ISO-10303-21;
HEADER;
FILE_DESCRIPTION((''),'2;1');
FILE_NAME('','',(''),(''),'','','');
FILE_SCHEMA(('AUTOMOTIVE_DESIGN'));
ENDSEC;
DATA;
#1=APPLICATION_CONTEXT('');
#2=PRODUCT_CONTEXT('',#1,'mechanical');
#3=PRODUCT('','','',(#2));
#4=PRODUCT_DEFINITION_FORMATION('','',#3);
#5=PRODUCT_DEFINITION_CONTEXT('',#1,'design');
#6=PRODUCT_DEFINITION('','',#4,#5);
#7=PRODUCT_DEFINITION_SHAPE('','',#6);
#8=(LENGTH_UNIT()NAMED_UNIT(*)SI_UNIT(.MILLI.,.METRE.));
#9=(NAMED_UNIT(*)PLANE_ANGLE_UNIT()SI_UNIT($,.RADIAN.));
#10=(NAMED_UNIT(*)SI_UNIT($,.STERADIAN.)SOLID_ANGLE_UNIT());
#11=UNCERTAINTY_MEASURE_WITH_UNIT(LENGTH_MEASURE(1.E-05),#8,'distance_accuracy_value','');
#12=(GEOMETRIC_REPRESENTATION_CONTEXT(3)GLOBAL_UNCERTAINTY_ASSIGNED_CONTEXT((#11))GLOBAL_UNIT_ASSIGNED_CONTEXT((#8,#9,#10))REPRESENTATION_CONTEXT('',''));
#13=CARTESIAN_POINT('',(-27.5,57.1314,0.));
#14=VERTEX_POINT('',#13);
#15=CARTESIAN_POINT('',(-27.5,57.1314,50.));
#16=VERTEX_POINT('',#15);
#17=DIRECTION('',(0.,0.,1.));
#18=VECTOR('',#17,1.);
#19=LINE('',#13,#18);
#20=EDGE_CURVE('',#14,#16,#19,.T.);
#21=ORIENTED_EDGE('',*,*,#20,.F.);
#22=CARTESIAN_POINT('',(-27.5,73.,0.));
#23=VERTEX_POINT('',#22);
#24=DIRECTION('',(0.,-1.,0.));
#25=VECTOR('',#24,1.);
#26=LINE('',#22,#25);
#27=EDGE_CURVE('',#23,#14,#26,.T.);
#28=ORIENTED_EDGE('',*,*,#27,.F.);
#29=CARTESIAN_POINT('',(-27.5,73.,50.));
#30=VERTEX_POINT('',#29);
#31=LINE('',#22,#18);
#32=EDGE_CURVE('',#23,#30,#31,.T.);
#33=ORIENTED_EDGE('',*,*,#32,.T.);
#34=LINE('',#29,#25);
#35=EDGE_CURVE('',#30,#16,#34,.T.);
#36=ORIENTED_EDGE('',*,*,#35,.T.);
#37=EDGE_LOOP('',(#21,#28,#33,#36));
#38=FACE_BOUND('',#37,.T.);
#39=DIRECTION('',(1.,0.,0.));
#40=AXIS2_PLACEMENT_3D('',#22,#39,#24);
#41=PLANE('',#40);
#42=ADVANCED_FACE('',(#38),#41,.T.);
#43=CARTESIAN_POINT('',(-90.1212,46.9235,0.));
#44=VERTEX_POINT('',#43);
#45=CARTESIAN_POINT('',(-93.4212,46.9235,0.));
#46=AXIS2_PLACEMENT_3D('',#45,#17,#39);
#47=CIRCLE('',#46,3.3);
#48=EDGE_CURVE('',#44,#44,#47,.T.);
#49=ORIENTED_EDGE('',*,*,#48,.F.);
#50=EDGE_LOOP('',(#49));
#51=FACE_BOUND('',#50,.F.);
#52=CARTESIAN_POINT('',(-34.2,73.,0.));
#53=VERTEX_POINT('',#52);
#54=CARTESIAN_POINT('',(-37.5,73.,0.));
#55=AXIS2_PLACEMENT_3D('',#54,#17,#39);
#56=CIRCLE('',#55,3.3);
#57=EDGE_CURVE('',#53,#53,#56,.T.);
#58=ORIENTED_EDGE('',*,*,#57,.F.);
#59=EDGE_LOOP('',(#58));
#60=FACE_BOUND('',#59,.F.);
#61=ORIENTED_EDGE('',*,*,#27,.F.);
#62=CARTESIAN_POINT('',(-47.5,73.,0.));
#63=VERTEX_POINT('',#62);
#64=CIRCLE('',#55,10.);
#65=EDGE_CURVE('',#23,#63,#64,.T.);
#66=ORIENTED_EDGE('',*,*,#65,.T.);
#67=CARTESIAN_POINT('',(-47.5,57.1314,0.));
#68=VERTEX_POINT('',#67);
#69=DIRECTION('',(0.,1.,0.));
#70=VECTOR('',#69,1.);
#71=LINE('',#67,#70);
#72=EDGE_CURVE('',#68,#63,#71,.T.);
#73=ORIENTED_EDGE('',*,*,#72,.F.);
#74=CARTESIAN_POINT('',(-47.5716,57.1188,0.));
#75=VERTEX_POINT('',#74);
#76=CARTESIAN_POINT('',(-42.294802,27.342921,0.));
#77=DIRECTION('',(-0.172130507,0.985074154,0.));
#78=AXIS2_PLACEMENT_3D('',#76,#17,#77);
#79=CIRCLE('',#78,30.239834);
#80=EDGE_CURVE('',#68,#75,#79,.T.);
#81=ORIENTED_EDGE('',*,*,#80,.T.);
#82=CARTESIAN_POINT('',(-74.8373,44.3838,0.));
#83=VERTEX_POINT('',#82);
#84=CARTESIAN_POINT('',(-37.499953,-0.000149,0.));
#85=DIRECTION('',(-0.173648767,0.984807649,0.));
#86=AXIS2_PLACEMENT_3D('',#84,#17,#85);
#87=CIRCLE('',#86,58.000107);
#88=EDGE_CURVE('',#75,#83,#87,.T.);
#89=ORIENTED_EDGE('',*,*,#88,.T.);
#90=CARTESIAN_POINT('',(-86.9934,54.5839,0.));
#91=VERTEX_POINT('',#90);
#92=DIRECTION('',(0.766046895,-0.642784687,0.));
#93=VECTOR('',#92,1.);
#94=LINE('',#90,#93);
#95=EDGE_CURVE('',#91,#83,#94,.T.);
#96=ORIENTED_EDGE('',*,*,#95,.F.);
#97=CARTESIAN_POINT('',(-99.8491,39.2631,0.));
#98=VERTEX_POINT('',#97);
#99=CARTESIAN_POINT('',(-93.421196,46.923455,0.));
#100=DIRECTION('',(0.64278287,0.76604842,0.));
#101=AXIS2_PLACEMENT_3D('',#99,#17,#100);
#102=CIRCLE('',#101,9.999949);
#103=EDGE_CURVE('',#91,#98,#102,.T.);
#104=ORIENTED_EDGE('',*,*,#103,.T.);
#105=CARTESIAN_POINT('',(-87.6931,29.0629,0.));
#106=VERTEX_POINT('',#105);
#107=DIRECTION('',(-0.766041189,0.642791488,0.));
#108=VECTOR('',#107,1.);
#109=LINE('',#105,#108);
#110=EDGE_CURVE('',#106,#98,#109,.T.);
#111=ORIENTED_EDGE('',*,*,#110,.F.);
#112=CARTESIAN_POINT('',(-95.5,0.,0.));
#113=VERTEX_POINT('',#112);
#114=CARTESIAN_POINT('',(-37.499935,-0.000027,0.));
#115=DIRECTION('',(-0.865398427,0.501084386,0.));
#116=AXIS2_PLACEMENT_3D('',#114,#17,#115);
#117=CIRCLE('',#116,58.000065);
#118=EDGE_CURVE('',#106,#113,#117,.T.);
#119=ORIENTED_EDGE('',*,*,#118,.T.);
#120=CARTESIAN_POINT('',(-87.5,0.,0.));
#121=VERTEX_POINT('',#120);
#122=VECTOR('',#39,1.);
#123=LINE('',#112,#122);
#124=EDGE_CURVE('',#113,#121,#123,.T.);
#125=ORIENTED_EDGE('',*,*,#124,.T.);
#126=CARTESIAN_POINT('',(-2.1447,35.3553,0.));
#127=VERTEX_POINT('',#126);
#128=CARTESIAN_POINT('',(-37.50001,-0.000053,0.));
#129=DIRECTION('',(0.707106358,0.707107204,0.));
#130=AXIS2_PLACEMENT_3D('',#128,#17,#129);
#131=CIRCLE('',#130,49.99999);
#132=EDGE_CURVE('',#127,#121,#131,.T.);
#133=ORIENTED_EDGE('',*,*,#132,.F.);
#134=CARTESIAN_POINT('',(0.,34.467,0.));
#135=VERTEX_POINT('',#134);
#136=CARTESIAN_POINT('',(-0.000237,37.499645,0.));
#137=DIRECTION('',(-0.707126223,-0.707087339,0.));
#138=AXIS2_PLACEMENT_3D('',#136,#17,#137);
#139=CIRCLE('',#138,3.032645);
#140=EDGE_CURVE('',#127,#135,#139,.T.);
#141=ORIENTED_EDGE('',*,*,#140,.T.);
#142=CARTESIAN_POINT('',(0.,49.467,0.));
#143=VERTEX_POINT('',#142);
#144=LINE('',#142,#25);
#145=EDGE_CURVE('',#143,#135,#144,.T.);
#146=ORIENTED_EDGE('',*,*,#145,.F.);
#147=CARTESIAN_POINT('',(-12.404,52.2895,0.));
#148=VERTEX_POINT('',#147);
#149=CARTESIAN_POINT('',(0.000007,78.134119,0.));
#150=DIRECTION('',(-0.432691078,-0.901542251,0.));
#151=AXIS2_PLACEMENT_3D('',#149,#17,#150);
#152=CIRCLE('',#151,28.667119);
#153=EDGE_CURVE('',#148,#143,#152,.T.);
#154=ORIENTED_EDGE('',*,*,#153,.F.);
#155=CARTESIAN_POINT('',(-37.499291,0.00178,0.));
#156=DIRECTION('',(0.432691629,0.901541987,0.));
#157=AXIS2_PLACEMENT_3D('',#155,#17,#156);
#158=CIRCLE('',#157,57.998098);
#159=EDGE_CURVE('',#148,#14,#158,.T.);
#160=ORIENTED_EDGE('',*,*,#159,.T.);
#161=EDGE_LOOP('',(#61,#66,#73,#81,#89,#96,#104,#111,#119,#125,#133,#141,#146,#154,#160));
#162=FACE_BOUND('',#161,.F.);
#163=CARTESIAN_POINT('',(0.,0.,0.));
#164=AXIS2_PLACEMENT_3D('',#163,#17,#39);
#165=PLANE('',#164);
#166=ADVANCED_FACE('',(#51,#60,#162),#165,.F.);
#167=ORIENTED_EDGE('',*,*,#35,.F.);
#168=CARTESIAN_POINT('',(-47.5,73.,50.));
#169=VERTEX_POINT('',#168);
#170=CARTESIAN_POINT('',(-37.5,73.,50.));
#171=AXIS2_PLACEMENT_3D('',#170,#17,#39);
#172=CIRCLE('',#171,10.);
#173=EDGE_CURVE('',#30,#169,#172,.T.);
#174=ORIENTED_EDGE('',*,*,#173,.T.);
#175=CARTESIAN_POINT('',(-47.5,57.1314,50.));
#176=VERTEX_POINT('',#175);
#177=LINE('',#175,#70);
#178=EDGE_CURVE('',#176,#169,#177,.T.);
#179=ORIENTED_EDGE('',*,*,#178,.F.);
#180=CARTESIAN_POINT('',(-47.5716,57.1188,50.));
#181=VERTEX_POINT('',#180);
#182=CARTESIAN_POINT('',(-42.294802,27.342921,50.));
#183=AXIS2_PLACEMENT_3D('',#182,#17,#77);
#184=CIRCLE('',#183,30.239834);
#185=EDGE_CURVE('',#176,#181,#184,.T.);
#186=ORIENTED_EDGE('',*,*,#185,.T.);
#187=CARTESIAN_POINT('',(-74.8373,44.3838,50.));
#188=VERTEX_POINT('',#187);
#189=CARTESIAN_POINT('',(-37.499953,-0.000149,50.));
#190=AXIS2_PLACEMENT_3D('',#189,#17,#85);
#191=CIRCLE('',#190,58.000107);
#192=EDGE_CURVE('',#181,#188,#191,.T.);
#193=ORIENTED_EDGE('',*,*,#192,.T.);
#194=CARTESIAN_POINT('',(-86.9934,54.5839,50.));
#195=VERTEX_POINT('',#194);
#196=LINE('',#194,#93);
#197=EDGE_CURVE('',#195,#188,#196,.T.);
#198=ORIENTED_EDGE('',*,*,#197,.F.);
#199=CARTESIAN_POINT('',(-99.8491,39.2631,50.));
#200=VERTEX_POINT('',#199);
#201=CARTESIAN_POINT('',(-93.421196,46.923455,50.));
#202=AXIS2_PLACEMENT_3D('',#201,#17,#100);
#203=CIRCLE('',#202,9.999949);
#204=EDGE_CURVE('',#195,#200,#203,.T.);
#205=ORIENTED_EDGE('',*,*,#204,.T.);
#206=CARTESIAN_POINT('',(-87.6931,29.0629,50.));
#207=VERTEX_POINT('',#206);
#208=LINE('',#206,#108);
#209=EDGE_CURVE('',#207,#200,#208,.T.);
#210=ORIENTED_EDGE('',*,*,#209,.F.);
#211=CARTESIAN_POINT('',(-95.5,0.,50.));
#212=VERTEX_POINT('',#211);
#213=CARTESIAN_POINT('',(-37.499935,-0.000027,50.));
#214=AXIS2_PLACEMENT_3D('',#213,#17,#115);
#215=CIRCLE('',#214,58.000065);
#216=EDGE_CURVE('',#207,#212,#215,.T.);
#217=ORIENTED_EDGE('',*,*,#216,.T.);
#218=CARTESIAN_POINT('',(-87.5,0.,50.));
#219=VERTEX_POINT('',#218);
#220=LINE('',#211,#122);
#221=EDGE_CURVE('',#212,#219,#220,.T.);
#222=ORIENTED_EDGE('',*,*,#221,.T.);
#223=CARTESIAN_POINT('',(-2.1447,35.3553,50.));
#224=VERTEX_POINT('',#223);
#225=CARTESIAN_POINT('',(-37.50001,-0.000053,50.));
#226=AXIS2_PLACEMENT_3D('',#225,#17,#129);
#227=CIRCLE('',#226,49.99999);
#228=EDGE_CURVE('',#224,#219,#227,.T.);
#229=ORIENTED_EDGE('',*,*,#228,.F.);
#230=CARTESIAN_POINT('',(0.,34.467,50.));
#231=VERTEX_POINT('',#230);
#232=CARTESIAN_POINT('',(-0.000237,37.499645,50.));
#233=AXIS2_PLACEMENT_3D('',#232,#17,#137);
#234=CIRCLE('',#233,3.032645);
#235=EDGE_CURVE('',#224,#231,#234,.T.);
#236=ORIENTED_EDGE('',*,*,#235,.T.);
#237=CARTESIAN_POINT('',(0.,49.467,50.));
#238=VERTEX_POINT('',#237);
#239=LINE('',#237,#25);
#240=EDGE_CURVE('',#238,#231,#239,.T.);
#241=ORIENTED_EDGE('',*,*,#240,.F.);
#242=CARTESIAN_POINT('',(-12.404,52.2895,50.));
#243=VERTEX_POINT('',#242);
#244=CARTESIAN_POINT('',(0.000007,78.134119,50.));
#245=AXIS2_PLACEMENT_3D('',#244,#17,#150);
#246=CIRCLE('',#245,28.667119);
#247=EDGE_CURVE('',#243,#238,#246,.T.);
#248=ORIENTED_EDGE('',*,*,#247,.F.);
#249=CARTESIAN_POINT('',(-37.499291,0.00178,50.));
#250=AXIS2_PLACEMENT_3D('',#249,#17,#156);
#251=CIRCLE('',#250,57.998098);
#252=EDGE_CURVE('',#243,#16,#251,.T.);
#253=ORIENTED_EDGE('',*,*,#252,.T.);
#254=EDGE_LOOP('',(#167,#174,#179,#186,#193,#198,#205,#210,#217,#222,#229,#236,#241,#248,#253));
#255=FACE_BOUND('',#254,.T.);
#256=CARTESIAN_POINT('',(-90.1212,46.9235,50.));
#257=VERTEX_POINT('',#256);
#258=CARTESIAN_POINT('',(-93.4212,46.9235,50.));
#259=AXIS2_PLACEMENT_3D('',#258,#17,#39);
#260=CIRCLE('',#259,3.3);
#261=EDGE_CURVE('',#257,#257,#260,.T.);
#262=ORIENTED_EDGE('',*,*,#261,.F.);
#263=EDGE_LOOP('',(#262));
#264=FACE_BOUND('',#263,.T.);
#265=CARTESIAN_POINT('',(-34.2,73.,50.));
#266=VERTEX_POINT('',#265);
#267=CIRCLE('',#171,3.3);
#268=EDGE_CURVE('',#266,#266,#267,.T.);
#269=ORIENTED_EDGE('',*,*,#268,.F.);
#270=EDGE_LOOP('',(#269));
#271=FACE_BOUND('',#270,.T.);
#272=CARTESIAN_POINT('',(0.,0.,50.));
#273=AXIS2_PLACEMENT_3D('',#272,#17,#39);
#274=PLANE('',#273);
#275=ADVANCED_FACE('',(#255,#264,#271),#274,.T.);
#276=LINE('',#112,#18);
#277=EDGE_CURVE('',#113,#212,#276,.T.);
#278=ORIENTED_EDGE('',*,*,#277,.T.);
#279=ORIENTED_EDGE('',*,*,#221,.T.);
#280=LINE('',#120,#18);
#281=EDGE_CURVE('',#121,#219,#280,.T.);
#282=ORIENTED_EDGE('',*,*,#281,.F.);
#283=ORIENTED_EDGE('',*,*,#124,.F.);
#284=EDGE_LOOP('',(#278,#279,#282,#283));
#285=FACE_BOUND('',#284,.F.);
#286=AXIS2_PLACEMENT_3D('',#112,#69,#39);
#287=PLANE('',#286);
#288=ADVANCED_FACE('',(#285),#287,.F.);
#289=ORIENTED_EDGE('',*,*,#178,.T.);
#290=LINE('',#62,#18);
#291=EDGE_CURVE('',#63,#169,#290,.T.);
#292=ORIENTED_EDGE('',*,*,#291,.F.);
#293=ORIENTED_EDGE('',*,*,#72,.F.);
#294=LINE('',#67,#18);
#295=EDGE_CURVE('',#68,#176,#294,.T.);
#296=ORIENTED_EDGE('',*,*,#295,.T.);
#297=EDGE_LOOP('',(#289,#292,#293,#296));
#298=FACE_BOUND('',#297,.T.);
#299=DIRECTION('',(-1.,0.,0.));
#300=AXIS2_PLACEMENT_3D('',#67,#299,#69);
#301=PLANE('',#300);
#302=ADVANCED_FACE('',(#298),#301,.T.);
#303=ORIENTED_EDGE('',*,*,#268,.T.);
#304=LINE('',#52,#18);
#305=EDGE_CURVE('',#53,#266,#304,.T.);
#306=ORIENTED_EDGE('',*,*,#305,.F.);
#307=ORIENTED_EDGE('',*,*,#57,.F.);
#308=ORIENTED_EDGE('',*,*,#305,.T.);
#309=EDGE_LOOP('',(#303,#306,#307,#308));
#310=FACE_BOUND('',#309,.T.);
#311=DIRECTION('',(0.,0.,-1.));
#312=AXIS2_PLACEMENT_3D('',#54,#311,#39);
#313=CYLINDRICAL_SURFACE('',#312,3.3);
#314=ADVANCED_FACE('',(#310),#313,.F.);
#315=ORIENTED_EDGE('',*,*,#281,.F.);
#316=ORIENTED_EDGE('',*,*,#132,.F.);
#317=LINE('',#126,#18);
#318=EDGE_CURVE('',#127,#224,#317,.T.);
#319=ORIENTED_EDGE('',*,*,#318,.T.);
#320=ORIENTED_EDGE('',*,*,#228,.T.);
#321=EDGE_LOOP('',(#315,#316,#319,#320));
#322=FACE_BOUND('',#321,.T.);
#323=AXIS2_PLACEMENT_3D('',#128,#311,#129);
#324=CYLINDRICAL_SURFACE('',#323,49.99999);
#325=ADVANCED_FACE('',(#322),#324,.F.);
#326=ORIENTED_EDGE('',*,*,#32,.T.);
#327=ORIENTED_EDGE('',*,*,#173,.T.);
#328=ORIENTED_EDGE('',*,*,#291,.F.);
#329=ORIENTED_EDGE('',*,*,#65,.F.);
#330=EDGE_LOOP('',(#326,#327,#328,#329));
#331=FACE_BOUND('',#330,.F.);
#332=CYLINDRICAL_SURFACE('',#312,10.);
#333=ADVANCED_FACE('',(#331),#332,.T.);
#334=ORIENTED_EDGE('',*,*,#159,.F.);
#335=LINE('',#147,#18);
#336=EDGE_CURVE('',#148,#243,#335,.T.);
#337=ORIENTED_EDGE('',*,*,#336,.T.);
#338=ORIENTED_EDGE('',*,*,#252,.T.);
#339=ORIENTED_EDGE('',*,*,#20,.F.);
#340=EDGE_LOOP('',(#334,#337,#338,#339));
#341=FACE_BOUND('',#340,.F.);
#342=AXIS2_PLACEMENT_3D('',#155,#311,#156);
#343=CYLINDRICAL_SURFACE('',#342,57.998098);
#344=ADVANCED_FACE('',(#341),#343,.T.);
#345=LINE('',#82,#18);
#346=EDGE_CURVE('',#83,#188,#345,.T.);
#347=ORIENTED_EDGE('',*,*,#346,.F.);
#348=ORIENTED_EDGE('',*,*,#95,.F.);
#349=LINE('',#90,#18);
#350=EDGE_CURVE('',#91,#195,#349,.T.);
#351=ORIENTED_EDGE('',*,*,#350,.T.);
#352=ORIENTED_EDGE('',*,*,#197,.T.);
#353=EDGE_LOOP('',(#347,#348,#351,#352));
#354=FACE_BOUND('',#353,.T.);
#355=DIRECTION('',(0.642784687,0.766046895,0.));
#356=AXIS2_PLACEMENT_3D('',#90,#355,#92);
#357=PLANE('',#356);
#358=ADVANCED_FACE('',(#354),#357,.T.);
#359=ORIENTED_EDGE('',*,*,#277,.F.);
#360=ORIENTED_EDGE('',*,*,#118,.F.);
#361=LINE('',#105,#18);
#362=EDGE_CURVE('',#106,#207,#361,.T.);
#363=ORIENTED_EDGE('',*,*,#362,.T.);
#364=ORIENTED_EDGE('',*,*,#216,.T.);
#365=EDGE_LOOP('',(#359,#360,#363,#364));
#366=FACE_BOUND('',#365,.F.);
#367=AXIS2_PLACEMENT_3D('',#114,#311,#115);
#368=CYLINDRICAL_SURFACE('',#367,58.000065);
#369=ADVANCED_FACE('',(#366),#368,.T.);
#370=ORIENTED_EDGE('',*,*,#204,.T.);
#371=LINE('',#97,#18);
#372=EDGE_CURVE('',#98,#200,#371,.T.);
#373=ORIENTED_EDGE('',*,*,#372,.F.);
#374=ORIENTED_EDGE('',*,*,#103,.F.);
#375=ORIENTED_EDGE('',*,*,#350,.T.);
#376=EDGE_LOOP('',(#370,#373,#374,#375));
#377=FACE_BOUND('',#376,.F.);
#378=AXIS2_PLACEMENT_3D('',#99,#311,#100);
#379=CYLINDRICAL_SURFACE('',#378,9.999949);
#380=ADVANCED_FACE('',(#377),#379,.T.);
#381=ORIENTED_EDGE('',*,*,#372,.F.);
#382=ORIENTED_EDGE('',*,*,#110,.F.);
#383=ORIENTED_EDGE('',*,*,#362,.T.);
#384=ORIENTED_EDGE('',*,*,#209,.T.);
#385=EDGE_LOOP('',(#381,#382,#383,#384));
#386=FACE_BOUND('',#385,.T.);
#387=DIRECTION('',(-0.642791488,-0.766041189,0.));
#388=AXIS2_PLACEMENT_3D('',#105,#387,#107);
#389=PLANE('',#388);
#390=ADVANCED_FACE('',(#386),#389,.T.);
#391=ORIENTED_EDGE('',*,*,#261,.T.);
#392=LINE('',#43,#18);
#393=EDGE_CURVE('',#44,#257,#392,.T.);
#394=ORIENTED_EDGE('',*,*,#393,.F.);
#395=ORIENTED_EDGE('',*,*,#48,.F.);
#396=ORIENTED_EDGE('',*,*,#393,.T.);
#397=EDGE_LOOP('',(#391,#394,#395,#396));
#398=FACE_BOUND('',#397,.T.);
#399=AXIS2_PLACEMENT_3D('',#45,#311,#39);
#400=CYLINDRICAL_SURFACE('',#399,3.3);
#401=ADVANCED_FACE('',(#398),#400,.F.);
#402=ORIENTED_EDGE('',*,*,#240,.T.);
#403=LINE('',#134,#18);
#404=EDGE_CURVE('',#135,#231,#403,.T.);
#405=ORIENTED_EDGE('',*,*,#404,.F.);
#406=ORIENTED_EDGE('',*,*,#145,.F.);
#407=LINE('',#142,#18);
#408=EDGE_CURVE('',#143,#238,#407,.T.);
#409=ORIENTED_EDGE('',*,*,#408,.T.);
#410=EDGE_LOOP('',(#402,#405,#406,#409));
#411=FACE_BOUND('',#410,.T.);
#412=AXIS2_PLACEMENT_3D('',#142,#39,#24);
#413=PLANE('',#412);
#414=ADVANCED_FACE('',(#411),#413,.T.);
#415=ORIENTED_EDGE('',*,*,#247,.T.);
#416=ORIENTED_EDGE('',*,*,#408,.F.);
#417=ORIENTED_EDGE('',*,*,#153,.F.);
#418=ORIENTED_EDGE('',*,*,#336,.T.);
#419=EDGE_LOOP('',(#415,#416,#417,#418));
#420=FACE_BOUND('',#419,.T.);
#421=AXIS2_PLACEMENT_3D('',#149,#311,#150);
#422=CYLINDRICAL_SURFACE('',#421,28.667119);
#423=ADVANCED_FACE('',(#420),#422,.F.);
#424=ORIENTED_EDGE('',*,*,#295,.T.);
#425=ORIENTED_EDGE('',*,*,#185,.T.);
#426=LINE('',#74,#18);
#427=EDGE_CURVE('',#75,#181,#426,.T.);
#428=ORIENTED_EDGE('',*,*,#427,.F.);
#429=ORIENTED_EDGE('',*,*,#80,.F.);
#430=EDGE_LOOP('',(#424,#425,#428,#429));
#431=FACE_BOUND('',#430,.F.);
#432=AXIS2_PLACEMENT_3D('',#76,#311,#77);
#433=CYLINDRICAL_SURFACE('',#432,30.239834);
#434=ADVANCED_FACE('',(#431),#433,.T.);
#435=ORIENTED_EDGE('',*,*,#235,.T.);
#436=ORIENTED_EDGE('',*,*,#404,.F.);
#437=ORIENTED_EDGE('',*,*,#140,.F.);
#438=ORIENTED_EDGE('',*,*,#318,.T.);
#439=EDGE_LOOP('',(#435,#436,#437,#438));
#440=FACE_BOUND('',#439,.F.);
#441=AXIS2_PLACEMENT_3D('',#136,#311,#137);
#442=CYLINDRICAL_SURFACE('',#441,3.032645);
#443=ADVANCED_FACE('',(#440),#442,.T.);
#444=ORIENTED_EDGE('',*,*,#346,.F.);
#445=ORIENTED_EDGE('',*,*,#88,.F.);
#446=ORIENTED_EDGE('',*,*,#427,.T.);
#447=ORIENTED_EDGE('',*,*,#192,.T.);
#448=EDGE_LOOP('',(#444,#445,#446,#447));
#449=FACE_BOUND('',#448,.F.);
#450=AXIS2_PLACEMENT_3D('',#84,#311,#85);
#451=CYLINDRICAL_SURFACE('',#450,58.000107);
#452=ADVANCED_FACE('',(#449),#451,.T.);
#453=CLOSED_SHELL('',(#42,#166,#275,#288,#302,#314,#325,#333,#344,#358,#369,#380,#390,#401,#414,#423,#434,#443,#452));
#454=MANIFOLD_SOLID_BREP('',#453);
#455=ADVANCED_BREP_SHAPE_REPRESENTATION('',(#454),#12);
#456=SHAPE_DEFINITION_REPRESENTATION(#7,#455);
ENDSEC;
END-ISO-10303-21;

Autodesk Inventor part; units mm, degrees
ref_plane "YZ Plane" through (0, 0, 0) normal (1, 0, 0) x (0, 1, 0)
ref_plane "XZ Plane" through (0, 0, 0) normal (0, 1, 0) x (-1, 0, 0)
ref_plane "XY Plane" through (0, 0, 0) normal (0, 0, 1) x (1, 0, 0)
sketch "Sketch1" plane through (0, 0, 0) normal (0, 0, 1) x (1, 0, 0)
  line L0 (-110.5, 0) -> (110.5, 0) construction
  line L1 (0, 110.5) -> (0, -110.5) construction
  line L2 (-110.5, 110.5) -> (110.5, 110.5) construction
  line L3 (110.5, 110.5) -> (110.5, -110.5) construction
  line L4 (110.5, -110.5) -> (-110.5, -110.5) construction
  line L5 (-110.5, -110.5) -> (-110.5, 110.5) construction
  circle A0 centre (-37.5, 0) radius 37.5 construction
  circle A1 centre (37.5, 0) radius 37.5 construction
  arc A2 (-2.1447, 35.3553) -> (-87.5, 0) centre (-37.5, 0) ccw
  arc A3 (-2.1447, 35.3553) -> (0, 34.467) centre (0, 37.5) ccw
  line L6 (-37.5, 0) -> (-2.1447, 35.3553) construction
  arc A4 (-47.5716, 57.1188) -> (-74.8373, 44.3838) centre (-37.5, 0) ccw
  arc A5 (-12.404, 52.2895) -> (-27.5, 57.1314) centre (-37.5, 0) ccw
  arc A6 (-12.404, 52.2895) -> (0, 49.467) centre (0, 78.1341) ccw
  line L7 (-37.5, 0) -> (-110.5, 61.2543) construction
  line L8 (-37.5, 0) -> (20.5, 0) construction
  line L9 (-37.5, 0) -> (-37.5, 110.5) construction
  line L10 (-87.6931, 29.0629) -> (-99.8491, 39.2631)
  arc A7 (-86.9934, 54.5839) -> (-99.8491, 39.2631) centre (-93.4212, 46.9235) ccw
  line L11 (-86.9934, 54.5839) -> (-74.8373, 44.3838)
  circle A8 centre (-93.4212, 46.9235) radius 3.3
  line L12 (-97.844, 50.6346) -> (-92.4187, 52.6093) construction
  line L13 (-92.4187, 52.6093) -> (-87.9959, 48.8981) construction
  line L14 (-87.9959, 48.8981) -> (-88.9985, 43.2124) construction
  line L15 (-88.9985, 43.2124) -> (-94.4238, 41.2377) construction
  line L16 (-94.4238, 41.2377) -> (-98.8466, 44.9488) construction
  line L17 (-98.8466, 44.9488) -> (-97.844, 50.6346) construction
  line L18 (-47.5, 57.1314) -> (-47.5, 73)
  line L19 (-27.5, 73) -> (-27.5, 57.1314)
  line L20 (-32.5, 70.1132) -> (-37.5, 67.2265) construction
  line L21 (-37.5, 78.7735) -> (-32.5, 75.8868) construction
  line L22 (-37.5, 67.2265) -> (-42.5, 70.1132) construction
  line L23 (-42.5, 75.8868) -> (-37.5, 78.7735) construction
  arc A9 (-27.5, 73) -> (-47.5, 73) centre (-37.5, 73) ccw
  line L24 (-32.5, 75.8868) -> (-32.5, 70.1132) construction
  circle A10 centre (-37.5, 73) radius 3.3
  line L25 (-42.5, 70.1132) -> (-42.5, 75.8868) construction
  line L26 (-37.5, 0) -> (-2.1447, -35.3553) construction
  line L27 (0, 49.467) -> (0, 34.467)
  arc A11 (-27.5, 57.1314) -> (-47.5, 57.1314) centre (-37.5, 0) ccw construction
  arc A12 (-47.5, 57.1314) -> (-47.5716, 57.1188) centre (-37.5, 0) ccw
  arc A13 (-74.8373, 44.3838) -> (-87.6931, 29.0629) centre (-37.5, 0) ccw construction
  arc A14 (-87.6931, 29.0629) -> (-95.5, 0) centre (-37.5, 0) ccw
  line L28 (-95.5, 0) -> (-87.5, 0)
  point P0 (0, 0)
  point P1 (0, 0)
  point P2 (0, 0)
  point P3 (-81.9306, 37.2817)
  point P4 (-37.5, 58)
  dimension "d10" = 75
  dimension "d7" = 221
  dimension "d8" = 221
  dimension "d9" = 75
  dimension "d11" = 50
  dimension "d12" = 135
  dimension "d13" = 8
  dimension "d14" = 15
  dimension "d15" = 140
  dimension "d17" = 10
  dimension "d19" = 6.6
  dimension "d20" = 15
  dimension "d21" = 10
  dimension "d24" = 50
extrude "Extrusion1" add sketch "Sketch1" along normal blind 50
sketch "Sketch4" plane through (0, 0, 50) normal (0, 0, 1) x (1, 0, 0)
  line L0 (0, 0) -> (0, 122) construction
  line L1 (0, 0) -> (-181, 0) construction
  arc A0 (-87.6931, 29.0629) -> (-95.5, 0) centre (-37.5, 0) ccw construction
  arc A1 (-12.404, 52.2895) -> (-95.5, 0) centre (-37.5, 0) ccw
  arc A2 (-12.404, 52.2895) -> (0, 49.467) centre (0, 78.1341) ccw projected
  line L2 (0, 49.467) -> (0, 0)
  arc A3 (-87.6931, 29.0629) -> (-95.5, 0) centre (-37.5, 0) ccw projected
sketch "Sketch5" plane through (0, 34.467, 0) normal (1, 0, 0) x (0, 0, -1)
  arc A0 (-50, 23.533) -> (-66, -34.467) centre (47.125, -34.467) ccw
  line L0 (-50, -34.467) -> (-50, 15.533) construction
  line L1 (-50, -34.467) -> (-94, -34.467) construction
  line L2 (0, -34.467) -> (-50, -34.467) construction
  line L3 (-50, 22.6644) -> (-50, 38.533) projected
  dimension "d28" = 116
  dimension "d29" = 16
equation "\"d10\" = d9"
properties part number "Gehäuse"
